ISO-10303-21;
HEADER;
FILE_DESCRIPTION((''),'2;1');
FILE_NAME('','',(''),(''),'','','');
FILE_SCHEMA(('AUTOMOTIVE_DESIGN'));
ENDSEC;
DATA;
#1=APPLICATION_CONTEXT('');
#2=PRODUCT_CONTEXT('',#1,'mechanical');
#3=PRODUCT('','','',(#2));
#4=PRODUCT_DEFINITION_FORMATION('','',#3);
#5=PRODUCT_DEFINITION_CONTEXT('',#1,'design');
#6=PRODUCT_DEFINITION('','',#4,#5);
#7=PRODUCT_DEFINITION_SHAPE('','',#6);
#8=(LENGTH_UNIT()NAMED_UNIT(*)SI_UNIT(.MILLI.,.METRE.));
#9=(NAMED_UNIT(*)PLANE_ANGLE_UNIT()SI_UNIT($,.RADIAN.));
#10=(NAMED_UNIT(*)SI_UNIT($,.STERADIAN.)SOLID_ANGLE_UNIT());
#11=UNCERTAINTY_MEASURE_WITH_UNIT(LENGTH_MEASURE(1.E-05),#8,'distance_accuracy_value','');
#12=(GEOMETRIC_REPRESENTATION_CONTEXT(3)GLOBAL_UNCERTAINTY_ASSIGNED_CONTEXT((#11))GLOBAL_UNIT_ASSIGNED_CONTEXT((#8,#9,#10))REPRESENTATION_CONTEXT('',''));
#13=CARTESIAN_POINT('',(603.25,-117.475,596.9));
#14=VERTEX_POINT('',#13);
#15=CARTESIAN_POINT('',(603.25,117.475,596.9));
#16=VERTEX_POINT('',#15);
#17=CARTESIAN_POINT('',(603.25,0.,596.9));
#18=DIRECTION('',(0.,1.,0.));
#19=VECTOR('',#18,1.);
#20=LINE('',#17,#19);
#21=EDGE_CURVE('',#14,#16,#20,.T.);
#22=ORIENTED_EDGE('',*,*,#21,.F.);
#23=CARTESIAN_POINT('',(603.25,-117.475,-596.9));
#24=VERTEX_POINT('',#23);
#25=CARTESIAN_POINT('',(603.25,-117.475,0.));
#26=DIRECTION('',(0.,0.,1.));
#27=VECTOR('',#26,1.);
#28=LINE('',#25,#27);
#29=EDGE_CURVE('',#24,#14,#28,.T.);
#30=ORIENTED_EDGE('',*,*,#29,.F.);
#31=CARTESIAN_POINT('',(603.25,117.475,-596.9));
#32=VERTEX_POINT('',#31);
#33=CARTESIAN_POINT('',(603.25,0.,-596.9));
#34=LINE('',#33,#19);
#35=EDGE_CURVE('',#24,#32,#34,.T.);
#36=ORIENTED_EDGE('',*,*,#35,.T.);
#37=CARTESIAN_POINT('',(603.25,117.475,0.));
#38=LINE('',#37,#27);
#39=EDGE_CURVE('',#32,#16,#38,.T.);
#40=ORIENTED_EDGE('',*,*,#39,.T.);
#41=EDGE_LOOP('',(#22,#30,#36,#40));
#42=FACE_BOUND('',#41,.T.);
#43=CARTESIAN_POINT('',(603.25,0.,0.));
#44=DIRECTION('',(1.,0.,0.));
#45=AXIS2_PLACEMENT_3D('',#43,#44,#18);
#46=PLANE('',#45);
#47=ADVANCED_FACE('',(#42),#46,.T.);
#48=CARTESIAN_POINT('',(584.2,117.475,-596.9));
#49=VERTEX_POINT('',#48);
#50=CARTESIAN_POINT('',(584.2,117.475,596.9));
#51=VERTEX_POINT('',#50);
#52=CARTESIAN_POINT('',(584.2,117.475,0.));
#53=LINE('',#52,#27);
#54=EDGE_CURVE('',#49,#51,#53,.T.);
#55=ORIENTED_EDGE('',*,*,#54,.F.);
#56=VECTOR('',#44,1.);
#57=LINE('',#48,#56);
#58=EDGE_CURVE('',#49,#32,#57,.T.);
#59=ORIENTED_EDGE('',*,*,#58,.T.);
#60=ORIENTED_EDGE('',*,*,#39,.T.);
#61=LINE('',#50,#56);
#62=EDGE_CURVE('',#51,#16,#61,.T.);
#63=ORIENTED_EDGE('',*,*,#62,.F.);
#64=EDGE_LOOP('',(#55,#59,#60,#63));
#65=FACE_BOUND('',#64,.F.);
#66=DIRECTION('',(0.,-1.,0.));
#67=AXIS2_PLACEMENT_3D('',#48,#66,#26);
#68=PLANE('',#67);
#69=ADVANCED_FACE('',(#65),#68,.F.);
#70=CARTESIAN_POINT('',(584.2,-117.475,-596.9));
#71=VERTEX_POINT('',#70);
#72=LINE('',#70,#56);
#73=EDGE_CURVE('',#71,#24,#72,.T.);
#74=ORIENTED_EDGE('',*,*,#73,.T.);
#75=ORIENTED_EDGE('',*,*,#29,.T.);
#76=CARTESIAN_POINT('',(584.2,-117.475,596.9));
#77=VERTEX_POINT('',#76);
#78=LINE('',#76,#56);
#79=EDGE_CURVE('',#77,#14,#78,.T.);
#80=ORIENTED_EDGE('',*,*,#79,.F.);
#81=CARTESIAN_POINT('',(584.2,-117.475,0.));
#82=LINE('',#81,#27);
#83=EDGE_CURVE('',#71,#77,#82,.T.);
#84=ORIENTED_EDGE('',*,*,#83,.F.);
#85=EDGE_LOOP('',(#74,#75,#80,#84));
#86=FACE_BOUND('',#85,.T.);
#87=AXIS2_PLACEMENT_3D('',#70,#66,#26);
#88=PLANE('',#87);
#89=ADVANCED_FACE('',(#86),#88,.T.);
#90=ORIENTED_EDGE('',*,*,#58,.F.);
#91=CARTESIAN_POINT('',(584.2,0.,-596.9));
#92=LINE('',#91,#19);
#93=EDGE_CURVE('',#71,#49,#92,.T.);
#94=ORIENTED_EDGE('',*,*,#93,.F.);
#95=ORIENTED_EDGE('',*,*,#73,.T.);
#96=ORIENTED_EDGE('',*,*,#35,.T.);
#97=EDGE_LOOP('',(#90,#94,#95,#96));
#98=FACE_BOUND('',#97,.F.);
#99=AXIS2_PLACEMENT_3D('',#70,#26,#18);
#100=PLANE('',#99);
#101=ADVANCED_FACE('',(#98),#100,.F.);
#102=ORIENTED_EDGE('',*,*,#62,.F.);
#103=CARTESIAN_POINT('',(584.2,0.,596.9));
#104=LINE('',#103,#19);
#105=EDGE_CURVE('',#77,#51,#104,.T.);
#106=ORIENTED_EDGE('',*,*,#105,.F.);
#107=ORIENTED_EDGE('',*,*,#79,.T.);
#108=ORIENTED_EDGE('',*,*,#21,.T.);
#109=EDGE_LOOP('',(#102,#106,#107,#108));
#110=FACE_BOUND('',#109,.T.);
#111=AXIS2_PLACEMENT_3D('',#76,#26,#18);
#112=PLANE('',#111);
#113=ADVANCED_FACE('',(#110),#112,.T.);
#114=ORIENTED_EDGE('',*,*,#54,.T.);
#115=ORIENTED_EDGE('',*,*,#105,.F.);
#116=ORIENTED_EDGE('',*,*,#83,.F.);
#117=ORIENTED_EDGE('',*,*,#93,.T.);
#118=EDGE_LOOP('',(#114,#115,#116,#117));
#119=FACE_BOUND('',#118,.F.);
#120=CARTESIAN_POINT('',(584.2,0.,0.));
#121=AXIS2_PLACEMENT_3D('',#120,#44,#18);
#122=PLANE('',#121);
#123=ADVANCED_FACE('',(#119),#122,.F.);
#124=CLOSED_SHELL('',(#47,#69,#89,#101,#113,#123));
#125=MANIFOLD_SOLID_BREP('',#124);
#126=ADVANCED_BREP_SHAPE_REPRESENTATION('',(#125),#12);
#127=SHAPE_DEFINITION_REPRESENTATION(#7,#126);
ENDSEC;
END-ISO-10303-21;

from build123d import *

# Parameters (mm, degrees)
F1_W     = 234.95
F1_H     = 1193.8
F2_DEPTH = 19.05


with BuildPart() as f2:
    # F1 (on offset) → F2 (new body)
    with BuildSketch(Plane.YZ.offset(584.2)):
        Rectangle(F1_W, F1_H)
    extrude(amount=F2_DEPTH)


solid = f2.part
